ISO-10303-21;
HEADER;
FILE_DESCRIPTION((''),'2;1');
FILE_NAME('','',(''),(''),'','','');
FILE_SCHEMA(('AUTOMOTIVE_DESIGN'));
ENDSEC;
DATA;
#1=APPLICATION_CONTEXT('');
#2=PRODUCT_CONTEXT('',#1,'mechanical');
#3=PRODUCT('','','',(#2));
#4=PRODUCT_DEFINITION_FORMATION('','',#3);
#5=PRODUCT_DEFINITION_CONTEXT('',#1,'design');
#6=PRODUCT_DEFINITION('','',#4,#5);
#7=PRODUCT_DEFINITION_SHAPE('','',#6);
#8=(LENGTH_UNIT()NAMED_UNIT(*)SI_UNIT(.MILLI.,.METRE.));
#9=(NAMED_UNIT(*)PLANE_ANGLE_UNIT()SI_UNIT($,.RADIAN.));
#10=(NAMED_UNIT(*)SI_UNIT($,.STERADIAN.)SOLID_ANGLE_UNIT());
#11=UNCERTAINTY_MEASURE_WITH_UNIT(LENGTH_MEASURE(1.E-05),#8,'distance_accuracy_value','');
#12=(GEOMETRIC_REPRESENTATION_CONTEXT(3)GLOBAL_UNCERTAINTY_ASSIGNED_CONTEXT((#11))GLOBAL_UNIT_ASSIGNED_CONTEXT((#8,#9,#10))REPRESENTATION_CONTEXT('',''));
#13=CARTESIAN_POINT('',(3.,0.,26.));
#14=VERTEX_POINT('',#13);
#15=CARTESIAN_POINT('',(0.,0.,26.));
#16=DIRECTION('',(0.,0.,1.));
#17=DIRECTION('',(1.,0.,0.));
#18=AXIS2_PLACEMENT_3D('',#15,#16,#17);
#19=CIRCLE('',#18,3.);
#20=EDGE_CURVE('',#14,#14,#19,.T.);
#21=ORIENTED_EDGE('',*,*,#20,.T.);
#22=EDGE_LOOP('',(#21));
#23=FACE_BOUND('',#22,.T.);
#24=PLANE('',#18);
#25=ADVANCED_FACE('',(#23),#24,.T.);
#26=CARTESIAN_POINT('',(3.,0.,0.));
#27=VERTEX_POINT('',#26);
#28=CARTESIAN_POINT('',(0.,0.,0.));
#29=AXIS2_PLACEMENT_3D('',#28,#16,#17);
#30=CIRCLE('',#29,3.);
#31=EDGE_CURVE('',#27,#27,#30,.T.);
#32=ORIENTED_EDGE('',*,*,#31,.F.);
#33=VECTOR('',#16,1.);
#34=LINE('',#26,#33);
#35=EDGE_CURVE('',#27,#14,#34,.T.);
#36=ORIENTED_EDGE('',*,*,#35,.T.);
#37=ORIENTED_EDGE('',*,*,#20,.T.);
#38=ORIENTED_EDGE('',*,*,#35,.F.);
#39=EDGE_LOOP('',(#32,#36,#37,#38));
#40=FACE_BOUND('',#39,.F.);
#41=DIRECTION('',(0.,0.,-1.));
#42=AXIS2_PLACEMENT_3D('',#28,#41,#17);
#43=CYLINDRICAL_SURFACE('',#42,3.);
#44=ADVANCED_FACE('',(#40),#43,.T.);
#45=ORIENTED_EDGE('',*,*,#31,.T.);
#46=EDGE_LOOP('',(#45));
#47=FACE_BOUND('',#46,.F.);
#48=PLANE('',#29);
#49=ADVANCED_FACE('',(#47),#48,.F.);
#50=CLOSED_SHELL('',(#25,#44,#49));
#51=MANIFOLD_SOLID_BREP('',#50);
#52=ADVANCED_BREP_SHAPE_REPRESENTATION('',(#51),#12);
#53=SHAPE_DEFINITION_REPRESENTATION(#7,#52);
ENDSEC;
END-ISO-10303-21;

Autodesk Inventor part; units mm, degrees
ref_plane "YZ Plane" through (0, 0, 0) normal (1, 0, 0) x (0, 1, 0)
ref_plane "XZ Plane" through (0, 0, 0) normal (0, 1, 0) x (-1, 0, 0)
ref_plane "XY Plane" through (0, 0, 0) normal (0, 0, 1) x (1, 0, 0)
sketch "Skizze1" plane through (0, 0, 0) normal (0, 0, 1) x (1, 0, 0)
  circle A0 centre (0, 0) radius 3
  dimension "d0" = 6
extrude "Extrusion1" add sketch "Skizze1" along normal blind 26
properties part number "Docht"
